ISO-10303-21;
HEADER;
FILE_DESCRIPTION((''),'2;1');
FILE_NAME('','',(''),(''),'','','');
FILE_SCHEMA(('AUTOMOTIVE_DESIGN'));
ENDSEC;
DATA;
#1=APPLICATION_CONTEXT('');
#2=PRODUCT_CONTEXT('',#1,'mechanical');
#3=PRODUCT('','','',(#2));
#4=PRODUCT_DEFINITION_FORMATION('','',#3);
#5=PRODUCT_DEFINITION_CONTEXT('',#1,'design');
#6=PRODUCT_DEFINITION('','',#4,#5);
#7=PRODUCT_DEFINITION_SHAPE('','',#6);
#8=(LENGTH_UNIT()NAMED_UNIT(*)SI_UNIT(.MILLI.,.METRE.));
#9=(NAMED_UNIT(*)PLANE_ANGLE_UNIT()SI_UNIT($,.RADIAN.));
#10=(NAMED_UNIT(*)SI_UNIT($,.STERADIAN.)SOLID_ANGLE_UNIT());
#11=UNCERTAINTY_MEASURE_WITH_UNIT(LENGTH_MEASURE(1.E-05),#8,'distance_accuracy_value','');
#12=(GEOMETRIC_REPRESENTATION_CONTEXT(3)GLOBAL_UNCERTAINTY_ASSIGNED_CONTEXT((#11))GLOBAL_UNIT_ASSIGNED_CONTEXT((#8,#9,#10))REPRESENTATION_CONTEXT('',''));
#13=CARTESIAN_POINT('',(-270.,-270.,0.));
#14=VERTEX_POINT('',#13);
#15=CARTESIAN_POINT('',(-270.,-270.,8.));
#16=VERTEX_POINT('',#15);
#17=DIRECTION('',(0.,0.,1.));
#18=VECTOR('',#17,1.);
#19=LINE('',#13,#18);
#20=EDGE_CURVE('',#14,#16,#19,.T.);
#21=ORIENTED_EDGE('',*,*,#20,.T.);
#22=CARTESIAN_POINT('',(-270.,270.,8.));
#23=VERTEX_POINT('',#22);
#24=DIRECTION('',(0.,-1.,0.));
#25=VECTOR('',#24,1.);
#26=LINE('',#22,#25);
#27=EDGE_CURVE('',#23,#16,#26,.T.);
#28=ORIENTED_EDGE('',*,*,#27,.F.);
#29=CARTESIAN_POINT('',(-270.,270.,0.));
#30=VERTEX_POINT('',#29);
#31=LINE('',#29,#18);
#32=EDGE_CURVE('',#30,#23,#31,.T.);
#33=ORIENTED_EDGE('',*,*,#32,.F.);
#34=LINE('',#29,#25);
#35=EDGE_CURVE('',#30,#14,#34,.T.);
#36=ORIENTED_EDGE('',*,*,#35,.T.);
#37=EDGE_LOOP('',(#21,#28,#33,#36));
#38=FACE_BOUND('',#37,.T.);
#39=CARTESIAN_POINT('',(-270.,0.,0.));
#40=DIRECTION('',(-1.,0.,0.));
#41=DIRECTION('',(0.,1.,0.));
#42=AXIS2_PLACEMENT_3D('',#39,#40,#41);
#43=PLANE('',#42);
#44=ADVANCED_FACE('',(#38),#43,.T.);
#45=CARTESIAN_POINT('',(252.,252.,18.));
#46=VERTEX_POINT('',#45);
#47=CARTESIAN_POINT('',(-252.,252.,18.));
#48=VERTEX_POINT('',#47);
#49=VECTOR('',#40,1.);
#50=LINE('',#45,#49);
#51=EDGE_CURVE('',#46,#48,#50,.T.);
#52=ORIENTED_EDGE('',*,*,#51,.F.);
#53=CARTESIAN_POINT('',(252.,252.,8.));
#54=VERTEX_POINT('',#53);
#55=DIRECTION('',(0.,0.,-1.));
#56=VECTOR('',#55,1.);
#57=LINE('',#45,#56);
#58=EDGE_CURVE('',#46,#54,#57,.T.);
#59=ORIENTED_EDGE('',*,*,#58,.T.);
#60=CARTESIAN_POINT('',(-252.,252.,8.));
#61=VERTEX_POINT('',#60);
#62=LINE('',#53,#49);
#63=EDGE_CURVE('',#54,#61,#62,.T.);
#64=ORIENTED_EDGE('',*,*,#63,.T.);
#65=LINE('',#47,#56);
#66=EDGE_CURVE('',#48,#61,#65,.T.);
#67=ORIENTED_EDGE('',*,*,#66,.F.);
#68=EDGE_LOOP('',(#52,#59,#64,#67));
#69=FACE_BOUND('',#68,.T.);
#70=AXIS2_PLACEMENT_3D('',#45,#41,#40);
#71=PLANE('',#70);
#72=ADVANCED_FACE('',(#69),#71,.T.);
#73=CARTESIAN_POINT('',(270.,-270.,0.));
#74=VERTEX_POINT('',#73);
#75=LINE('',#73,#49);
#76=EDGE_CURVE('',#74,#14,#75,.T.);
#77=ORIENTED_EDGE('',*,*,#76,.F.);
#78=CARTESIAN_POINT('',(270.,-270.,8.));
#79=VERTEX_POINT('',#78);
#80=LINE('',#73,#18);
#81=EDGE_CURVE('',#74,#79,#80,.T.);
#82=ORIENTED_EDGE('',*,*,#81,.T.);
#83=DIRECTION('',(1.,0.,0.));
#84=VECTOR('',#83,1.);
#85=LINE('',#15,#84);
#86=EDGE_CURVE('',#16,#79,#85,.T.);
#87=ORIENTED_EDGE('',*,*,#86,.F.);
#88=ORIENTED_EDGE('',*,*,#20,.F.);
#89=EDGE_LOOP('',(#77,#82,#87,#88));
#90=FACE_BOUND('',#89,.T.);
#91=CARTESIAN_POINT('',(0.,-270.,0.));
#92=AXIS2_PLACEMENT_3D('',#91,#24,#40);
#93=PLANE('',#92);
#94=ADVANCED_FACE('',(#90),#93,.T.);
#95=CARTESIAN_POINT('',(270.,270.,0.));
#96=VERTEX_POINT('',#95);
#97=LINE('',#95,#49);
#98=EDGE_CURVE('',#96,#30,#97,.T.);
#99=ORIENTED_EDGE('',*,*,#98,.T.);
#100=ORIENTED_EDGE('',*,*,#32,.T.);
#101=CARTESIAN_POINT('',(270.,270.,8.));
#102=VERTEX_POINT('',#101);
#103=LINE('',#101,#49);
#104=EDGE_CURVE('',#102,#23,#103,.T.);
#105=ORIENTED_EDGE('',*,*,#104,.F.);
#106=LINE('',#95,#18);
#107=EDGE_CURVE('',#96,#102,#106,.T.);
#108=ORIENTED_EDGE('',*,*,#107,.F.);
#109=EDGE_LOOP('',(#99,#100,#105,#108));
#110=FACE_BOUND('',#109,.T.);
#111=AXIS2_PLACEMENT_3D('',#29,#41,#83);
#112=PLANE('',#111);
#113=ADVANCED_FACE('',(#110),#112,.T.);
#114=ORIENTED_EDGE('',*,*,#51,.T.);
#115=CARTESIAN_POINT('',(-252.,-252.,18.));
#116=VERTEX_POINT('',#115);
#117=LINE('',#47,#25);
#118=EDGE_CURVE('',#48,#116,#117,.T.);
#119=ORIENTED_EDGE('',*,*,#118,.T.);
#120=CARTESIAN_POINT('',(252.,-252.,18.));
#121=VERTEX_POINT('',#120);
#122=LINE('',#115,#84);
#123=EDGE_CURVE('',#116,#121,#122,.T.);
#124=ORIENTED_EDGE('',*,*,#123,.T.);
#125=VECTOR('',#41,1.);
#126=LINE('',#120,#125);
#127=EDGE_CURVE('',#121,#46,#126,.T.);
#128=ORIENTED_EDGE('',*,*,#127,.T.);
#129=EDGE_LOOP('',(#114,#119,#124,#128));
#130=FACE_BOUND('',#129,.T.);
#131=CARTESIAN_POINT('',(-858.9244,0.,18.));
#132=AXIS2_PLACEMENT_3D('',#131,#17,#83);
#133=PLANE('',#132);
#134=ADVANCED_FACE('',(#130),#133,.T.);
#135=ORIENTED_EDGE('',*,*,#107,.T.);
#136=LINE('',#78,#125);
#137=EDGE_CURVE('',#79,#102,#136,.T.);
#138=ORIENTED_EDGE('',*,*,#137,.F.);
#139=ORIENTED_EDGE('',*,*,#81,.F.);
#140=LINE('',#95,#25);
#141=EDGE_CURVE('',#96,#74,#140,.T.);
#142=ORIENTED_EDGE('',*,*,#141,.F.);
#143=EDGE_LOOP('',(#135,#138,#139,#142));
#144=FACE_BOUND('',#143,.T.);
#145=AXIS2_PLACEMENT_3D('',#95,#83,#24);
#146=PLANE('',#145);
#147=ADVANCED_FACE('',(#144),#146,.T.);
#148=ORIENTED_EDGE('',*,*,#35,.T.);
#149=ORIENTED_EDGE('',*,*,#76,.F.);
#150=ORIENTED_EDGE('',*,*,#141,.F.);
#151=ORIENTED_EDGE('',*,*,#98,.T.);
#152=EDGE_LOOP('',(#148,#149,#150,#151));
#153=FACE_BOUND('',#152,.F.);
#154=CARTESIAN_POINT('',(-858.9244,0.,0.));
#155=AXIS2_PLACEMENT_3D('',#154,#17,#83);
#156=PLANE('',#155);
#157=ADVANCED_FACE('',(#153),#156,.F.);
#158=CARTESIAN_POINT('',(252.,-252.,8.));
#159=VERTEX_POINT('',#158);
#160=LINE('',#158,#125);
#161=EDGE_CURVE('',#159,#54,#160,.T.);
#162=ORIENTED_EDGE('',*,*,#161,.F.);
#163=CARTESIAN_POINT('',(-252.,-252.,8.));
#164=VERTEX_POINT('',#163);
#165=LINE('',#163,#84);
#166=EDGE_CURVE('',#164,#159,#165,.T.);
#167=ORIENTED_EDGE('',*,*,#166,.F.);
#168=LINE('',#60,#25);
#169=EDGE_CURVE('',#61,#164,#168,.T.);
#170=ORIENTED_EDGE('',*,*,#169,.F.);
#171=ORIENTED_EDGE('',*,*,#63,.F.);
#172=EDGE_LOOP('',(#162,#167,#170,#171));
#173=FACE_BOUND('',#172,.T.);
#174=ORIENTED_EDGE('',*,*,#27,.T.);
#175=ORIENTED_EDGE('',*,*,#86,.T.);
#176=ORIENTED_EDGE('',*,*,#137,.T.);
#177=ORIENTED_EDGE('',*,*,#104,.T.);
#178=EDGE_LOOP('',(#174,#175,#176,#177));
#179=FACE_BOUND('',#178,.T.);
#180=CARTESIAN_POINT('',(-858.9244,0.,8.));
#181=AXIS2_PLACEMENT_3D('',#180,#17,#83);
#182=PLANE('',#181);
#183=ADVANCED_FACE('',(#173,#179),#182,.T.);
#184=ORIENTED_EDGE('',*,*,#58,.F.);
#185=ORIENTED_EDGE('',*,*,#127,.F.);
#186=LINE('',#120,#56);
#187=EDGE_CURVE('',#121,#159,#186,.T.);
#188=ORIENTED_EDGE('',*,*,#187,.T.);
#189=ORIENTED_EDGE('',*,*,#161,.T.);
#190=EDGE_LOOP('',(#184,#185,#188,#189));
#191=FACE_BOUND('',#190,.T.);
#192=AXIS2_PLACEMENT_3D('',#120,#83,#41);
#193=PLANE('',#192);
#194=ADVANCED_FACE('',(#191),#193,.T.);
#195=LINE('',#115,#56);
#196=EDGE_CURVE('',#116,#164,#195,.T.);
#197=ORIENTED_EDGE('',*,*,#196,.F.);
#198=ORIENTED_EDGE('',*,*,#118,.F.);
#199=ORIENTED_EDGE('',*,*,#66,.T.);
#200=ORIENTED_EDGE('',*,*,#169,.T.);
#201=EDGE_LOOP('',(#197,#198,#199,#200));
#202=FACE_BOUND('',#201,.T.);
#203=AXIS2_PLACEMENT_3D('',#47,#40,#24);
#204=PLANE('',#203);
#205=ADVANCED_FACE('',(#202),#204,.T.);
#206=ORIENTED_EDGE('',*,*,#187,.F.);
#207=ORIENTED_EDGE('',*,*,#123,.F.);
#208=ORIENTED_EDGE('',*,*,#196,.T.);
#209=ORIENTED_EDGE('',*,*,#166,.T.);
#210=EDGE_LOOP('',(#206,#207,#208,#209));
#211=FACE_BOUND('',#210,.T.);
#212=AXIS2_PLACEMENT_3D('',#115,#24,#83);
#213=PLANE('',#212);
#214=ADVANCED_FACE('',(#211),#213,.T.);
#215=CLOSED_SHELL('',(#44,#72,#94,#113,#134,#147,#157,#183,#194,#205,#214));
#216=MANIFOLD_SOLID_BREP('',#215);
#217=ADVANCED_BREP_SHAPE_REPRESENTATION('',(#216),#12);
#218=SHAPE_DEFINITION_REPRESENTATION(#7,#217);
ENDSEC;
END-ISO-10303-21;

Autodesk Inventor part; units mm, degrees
ref_plane "YZ Plane" through (0, 0, 0) normal (1, 0, 0) x (0, 1, 0)
ref_plane "XZ Plane" through (0, 0, 0) normal (0, 1, 0) x (-1, 0, 0)
ref_plane "Arbeitsebene3" through (-858.9244, 0, 0) normal (0, 0, 1) x (1, 0, 0)
sketch "Skizze2" plane through (-858.9244, 0, 0) normal (0, 0, 1) x (1, 0, 0)
  line L0 (588.9244, 270) -> (1128.9244, 270)
  line L1 (1128.9244, 270) -> (1128.9244, -270)
  line L2 (1128.9244, -270) -> (588.9244, -270)
  line L3 (588.9244, -270) -> (588.9244, 270)
  line L4 (480.9244, 0) -> (1236.9244, 0) projected
  line L5 (858.9244, -378) -> (858.9244, 378) projected
  point P0 (858.9244, 0)
  dimension "d5" = 540
  dimension "d6" = 540
extrude "Extrusion2" add sketch "Skizze2" along normal blind 18
sketch "Skizze3" plane through (-858.9244, 0, 18) normal (0, 0, 1) x (1, 0, 0)
  line L0 (1128.9244, 270) -> (588.9244, 270) projected
  line L1 (588.9244, 270) -> (588.9244, -270) projected
  line L2 (588.9244, -270) -> (1128.9244, -270) projected
  line L3 (1128.9244, -270) -> (1128.9244, 270) projected
  line L4 (1110.9244, 252) -> (606.9244, 252)
  line L5 (606.9244, 252) -> (606.9244, -252)
  line L6 (606.9244, -252) -> (1110.9244, -252)
  line L7 (1110.9244, -252) -> (1110.9244, 252)
  point P0 (858.9244, 0)
  dimension "d12" = 18
  dimension "d13" = 18
  dimension "d14" = 18
  dimension "d15" = 18
extrude "Extrusion3" cut sketch "Skizze3" against normal blind 10
properties part number "Boden"
